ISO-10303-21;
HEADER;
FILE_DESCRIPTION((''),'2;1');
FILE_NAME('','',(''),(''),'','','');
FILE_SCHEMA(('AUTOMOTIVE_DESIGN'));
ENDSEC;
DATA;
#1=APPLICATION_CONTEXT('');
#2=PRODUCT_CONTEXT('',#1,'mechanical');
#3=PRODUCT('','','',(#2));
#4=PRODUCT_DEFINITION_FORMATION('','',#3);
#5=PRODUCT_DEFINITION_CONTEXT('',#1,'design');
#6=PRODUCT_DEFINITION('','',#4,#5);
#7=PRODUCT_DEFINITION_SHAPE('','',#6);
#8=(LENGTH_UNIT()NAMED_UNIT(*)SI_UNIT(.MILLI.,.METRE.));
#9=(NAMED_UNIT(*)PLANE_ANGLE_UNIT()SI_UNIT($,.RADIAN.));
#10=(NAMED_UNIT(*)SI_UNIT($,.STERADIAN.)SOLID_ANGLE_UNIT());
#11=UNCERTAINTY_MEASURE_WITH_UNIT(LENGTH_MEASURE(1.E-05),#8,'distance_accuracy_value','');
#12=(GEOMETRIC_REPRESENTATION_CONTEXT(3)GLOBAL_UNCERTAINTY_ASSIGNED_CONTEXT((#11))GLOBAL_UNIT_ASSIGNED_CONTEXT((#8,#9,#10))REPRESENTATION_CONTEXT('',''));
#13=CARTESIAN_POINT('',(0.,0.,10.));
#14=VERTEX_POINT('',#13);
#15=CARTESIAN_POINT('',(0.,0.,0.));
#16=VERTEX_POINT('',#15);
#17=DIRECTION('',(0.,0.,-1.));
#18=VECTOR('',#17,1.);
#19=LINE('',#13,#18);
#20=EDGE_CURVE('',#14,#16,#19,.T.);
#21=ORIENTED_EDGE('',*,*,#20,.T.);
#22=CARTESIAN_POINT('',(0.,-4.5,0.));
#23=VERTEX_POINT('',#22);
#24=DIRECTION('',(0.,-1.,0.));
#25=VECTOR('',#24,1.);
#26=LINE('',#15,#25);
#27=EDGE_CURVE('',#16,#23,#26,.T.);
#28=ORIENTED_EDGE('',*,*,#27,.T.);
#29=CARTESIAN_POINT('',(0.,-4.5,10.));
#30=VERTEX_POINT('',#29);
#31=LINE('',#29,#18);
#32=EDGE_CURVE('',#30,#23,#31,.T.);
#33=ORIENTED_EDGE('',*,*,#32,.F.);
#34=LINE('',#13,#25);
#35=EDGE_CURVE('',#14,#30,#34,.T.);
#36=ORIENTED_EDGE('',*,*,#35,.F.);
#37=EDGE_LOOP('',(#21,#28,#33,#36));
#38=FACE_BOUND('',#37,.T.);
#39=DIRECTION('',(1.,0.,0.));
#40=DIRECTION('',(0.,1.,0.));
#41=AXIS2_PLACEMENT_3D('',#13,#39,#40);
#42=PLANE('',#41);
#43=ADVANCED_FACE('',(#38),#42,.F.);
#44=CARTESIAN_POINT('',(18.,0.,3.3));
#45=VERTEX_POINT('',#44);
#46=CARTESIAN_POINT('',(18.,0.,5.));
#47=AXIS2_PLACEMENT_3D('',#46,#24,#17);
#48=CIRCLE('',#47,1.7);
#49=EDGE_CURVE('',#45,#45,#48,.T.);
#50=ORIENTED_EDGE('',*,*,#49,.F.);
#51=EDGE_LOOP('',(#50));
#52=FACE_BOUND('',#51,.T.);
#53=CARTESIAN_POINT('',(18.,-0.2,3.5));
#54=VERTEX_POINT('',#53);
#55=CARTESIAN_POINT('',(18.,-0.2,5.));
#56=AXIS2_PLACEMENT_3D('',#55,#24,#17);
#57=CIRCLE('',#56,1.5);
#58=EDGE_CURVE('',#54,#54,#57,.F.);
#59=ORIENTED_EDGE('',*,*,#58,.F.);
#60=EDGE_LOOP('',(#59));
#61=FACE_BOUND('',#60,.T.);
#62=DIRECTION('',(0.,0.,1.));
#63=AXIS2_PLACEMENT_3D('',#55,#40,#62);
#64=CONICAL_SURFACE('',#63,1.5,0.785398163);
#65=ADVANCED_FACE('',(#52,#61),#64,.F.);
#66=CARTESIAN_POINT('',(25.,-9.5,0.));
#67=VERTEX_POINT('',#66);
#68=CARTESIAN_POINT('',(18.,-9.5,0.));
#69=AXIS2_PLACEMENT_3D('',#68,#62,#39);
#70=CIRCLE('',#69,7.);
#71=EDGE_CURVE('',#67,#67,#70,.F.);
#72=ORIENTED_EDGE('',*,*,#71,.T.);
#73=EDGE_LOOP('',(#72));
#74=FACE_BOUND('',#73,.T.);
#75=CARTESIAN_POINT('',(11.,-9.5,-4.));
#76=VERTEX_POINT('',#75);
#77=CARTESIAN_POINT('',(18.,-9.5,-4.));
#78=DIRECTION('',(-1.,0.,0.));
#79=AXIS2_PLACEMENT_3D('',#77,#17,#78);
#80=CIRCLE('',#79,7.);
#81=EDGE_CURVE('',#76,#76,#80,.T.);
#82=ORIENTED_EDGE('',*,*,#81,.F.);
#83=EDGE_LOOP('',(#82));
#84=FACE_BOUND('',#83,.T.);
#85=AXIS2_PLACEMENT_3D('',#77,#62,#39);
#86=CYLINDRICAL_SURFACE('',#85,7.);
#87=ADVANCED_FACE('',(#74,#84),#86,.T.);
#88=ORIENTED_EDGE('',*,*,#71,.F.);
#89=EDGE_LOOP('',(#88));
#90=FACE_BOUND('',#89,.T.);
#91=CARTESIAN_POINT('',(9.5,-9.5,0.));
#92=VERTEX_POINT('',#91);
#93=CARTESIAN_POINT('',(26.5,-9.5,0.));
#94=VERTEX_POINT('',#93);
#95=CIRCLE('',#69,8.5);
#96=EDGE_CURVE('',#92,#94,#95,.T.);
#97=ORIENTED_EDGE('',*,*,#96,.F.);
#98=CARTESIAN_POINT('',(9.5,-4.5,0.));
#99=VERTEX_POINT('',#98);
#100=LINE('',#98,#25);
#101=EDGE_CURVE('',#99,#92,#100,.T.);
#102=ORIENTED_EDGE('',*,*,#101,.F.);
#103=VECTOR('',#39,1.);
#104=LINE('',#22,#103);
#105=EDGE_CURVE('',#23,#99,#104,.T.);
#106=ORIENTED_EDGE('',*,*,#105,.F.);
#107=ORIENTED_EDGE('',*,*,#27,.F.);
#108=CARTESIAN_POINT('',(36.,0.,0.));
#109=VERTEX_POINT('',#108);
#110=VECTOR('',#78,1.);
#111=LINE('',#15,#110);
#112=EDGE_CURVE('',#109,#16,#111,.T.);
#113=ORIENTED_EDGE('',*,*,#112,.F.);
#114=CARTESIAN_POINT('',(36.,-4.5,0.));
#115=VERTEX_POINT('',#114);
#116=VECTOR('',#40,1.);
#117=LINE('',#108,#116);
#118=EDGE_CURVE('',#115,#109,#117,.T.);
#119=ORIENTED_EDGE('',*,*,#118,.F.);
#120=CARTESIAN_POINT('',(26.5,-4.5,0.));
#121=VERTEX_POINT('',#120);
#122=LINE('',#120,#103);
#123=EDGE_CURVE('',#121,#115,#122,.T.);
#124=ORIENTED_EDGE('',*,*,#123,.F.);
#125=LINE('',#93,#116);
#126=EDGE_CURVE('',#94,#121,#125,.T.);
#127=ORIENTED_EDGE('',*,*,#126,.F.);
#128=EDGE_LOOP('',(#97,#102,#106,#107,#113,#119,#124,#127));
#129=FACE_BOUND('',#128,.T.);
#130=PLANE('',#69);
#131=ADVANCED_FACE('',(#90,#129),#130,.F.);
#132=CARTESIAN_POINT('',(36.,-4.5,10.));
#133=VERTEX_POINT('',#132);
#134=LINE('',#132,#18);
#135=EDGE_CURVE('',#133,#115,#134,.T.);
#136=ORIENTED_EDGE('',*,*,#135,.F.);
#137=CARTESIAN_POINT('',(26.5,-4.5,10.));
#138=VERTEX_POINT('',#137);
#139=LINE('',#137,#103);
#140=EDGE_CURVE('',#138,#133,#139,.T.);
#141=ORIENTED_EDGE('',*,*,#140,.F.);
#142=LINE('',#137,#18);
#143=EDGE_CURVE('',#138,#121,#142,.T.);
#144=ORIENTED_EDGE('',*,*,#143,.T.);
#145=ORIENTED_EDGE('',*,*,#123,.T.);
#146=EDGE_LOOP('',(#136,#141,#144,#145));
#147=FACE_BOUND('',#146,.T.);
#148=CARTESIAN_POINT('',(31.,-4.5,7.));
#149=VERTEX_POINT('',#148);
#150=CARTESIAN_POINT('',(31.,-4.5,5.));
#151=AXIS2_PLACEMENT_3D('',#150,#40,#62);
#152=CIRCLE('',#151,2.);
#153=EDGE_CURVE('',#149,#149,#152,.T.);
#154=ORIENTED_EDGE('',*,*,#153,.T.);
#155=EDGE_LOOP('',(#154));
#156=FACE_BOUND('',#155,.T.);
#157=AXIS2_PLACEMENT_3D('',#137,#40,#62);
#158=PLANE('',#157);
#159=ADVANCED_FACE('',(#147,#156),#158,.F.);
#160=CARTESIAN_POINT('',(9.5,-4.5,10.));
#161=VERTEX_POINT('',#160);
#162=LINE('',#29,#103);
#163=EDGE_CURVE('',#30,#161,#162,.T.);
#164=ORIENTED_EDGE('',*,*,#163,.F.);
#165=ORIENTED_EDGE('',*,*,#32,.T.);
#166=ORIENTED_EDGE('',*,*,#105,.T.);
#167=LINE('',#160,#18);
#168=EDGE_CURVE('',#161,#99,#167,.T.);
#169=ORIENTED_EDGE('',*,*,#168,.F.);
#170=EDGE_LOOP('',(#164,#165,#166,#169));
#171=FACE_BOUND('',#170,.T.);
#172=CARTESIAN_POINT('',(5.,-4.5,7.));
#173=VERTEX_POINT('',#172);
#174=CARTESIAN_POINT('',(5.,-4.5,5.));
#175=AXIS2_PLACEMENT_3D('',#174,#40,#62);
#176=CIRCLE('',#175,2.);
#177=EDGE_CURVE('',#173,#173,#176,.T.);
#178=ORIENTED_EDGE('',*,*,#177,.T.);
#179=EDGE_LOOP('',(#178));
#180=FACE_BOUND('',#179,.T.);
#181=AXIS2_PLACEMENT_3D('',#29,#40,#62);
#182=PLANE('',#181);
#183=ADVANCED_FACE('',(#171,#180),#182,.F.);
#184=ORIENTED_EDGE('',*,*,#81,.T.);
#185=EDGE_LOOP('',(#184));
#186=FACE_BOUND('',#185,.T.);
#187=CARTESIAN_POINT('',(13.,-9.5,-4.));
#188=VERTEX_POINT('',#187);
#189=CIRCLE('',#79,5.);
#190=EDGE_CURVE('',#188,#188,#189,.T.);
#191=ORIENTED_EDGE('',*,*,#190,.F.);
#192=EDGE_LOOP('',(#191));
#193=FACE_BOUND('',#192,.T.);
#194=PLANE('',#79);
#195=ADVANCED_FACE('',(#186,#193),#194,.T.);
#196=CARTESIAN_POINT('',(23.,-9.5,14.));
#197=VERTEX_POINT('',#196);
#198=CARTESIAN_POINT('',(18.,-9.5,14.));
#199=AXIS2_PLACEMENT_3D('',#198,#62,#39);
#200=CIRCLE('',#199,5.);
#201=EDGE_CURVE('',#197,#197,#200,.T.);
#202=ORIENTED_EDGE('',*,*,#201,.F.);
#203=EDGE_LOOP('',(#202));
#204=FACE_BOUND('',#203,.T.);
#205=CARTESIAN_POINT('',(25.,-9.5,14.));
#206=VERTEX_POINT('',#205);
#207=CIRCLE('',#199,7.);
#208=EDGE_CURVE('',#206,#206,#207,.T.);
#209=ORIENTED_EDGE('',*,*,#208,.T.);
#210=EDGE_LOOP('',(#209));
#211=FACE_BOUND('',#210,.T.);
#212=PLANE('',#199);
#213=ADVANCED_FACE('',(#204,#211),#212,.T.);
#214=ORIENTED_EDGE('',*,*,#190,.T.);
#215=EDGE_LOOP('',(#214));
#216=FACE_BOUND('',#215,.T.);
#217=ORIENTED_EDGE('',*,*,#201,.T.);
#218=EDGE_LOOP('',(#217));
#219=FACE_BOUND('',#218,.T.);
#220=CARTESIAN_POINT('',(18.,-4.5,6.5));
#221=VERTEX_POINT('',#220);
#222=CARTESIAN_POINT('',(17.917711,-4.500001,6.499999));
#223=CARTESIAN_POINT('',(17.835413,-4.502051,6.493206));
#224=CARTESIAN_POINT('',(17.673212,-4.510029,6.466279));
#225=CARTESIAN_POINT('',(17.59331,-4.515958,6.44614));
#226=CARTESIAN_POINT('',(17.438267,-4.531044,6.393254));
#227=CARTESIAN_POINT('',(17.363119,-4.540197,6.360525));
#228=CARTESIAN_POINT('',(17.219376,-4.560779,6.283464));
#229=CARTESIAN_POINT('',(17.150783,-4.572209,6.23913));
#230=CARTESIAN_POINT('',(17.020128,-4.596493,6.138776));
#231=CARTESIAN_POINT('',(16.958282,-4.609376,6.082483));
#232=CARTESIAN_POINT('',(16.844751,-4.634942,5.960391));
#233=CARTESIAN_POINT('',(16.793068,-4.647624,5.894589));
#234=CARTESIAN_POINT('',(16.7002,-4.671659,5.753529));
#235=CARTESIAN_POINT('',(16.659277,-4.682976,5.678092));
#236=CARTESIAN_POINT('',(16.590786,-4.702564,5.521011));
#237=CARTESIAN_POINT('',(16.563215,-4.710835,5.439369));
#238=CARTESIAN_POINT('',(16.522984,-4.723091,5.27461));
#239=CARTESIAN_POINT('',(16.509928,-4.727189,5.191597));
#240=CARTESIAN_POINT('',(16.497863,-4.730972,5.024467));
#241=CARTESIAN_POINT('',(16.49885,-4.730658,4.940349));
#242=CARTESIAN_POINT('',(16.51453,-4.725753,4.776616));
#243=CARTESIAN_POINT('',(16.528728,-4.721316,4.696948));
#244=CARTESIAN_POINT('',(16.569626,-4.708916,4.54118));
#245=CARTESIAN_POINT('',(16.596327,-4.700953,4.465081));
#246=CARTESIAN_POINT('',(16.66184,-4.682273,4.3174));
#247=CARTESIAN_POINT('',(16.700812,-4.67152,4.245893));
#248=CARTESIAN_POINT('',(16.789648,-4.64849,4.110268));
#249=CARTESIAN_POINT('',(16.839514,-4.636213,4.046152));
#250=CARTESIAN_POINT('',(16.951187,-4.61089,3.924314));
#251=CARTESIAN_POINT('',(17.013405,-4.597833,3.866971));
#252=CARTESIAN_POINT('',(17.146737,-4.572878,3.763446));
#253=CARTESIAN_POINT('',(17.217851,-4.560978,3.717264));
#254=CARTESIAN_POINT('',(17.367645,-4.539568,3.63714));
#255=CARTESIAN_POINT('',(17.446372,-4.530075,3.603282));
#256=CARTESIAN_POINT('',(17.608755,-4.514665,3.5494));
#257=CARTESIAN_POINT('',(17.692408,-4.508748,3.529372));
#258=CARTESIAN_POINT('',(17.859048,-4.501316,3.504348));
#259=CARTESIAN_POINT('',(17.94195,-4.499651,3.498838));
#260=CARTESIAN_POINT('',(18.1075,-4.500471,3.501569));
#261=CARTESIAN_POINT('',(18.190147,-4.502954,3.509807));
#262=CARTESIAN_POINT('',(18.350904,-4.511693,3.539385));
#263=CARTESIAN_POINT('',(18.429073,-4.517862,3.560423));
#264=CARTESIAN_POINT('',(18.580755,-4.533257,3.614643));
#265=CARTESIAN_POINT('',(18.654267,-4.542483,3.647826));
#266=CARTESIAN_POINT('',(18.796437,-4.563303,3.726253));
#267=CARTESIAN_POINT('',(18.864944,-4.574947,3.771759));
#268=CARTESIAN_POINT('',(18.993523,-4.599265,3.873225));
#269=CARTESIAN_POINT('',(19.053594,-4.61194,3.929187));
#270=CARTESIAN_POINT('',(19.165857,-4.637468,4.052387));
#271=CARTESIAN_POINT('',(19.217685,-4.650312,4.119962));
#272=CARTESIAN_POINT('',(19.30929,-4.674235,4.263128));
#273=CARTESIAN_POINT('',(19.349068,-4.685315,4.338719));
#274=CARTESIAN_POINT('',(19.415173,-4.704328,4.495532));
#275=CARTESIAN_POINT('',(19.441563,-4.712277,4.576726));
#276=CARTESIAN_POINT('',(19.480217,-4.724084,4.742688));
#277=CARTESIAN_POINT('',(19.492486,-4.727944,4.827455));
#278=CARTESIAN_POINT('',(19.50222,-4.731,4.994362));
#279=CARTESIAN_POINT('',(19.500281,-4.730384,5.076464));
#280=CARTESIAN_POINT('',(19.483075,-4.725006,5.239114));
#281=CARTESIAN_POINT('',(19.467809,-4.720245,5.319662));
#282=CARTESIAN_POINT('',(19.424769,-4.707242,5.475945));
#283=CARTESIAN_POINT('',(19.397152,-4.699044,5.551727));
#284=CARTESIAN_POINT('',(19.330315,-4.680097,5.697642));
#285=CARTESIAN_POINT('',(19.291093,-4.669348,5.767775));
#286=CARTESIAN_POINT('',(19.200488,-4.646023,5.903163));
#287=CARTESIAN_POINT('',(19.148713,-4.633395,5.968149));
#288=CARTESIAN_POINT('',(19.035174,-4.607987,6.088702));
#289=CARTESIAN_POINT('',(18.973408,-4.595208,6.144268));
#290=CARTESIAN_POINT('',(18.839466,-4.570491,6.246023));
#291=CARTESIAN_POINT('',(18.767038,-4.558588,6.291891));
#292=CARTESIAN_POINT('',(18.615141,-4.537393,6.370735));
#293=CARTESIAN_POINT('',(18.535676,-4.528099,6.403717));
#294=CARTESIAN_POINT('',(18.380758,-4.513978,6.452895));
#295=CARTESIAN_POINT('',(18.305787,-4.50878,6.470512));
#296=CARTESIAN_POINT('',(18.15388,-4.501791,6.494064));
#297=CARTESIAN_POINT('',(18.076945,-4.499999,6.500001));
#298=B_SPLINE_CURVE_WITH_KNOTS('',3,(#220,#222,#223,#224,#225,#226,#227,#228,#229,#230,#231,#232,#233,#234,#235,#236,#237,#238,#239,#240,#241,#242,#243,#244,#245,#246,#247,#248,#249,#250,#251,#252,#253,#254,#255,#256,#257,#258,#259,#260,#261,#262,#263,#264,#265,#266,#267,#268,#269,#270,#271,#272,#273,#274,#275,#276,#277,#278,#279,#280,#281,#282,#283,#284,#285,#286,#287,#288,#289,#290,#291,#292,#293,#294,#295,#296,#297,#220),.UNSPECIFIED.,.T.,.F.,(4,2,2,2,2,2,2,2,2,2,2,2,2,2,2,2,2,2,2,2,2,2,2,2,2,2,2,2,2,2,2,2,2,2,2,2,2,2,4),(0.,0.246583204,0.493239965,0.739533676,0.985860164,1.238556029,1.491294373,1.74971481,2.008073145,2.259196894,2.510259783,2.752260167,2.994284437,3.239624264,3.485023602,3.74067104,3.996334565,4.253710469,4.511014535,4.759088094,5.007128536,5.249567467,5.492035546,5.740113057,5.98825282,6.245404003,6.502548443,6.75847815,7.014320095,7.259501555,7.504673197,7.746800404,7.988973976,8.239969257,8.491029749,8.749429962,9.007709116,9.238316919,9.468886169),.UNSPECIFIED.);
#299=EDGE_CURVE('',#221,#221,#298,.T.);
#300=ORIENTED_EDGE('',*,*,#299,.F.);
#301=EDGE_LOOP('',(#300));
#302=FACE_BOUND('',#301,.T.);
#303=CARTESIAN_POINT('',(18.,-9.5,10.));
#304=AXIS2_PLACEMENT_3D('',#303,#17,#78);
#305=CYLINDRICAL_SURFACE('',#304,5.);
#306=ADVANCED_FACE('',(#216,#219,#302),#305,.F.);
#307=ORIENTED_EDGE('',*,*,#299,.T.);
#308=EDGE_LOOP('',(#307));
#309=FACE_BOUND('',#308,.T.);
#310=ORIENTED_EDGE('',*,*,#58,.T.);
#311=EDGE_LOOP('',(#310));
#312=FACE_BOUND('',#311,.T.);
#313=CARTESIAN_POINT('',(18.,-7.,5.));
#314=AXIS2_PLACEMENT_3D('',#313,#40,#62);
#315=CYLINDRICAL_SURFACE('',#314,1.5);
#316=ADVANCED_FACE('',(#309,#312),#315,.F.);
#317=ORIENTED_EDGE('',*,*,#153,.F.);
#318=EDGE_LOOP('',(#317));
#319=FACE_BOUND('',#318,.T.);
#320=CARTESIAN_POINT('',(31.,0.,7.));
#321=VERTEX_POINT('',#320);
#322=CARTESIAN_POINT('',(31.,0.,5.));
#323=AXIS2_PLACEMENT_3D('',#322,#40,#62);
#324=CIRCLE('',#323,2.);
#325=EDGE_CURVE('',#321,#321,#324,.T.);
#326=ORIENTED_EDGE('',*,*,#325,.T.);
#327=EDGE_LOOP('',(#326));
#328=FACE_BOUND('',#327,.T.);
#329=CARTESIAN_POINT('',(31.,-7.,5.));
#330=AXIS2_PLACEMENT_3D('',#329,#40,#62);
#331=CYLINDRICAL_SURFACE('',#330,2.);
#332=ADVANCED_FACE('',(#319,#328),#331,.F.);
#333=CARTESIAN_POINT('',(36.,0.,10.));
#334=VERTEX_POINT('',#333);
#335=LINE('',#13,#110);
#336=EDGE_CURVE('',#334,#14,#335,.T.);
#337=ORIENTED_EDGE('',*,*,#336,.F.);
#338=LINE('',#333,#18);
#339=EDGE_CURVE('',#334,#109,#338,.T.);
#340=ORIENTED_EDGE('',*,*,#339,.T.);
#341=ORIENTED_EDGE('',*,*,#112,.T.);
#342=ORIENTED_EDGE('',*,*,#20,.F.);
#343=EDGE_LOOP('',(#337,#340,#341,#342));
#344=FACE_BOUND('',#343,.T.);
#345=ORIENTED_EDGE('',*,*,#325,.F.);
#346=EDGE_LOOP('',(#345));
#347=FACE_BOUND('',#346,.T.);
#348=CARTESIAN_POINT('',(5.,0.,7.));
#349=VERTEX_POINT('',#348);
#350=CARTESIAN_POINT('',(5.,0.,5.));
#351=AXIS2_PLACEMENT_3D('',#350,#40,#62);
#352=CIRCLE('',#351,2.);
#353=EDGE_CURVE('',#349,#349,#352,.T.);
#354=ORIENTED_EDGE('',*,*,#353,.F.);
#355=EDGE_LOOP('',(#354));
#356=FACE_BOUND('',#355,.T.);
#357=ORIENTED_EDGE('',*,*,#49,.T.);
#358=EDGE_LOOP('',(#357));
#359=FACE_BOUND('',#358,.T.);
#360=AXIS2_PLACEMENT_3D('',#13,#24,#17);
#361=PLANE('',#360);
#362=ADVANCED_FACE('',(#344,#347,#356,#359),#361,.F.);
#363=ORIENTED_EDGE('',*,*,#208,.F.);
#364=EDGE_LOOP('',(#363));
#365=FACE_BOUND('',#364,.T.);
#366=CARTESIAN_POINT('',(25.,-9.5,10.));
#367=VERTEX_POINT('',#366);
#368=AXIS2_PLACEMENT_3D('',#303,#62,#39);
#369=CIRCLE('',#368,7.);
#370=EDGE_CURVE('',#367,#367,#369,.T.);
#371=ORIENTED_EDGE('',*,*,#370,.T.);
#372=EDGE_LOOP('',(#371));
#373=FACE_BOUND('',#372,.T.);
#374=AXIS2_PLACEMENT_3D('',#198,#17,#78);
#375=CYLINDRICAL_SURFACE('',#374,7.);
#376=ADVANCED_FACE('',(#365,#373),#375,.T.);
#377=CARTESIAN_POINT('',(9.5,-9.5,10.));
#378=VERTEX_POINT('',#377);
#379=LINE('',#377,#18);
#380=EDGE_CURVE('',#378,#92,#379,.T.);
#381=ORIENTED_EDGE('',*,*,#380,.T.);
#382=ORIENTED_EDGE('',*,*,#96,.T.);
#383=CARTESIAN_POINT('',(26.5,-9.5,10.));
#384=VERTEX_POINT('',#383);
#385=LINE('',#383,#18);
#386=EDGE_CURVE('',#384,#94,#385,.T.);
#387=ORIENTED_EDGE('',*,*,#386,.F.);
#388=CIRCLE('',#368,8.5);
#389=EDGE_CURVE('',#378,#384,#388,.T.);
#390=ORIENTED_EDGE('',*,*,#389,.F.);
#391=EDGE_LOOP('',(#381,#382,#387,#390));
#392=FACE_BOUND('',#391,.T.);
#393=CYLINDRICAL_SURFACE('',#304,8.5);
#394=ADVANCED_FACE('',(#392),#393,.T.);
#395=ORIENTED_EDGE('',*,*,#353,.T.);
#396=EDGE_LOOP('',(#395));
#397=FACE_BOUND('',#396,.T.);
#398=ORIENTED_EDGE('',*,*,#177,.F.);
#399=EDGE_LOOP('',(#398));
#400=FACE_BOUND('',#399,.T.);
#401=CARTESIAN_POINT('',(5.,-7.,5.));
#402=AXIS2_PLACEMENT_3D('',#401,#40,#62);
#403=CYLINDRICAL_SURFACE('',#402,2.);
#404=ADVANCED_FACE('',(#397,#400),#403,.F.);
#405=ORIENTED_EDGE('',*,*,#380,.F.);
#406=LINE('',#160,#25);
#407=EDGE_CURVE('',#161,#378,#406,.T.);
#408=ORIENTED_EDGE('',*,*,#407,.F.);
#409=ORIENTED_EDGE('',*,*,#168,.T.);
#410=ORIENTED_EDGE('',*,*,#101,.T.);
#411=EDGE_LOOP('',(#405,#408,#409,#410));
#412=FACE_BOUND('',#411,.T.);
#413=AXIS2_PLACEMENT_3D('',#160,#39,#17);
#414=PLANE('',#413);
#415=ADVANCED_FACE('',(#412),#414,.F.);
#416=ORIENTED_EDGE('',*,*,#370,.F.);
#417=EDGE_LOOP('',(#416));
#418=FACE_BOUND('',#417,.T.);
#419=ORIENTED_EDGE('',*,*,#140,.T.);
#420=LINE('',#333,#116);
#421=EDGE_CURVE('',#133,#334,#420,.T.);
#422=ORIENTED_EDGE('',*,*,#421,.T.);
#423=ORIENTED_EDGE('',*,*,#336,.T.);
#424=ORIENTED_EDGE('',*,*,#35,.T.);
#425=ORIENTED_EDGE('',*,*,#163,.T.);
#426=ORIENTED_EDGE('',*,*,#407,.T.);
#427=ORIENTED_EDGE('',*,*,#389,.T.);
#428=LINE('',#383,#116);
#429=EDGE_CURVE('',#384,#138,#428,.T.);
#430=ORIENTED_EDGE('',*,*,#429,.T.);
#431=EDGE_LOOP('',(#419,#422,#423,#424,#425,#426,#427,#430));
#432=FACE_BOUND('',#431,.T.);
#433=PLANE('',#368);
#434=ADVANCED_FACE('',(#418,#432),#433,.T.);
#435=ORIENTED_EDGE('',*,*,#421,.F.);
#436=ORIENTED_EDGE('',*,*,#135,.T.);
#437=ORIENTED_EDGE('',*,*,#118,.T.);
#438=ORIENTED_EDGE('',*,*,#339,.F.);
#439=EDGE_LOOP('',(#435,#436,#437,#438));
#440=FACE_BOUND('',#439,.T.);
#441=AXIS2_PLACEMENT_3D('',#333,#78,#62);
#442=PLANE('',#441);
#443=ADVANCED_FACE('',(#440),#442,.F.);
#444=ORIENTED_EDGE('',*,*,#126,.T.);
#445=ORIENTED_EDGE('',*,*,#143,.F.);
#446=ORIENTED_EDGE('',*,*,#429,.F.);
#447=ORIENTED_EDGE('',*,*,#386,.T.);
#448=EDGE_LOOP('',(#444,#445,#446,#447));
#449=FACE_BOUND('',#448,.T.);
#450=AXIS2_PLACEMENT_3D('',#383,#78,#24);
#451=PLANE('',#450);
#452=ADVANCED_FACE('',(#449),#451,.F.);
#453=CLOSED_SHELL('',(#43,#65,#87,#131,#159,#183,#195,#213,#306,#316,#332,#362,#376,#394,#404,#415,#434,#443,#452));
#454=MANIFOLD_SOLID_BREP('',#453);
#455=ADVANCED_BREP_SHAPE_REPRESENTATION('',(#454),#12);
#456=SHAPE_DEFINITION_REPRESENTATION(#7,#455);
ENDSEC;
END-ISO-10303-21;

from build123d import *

# Parameters (mm, degrees)
SKETCH1_R           = 5
BOSS_EXTRUDE1_DEPTH = 10
SKETCH2_R           = 7
SKETCH2_R_2         = 5
BOSS_EXTRUDE2_DEPTH = 4
BOSS_EXTRUDE3_START = 4
SKETCH3_R           = 7
SKETCH3_R_2         = 5
BOSS_EXTRUDE3_DEPTH = 4
SKETCH4_R           = 1.5
SKETCH4_R_2         = 2
CUT_EXTRUDE1_DEPTH  = 7
CHAMFER1_SIZE       = 0.2


with BuildPart() as part:
    # Sketch1 → Boss-Extrude1 (new body)
    with BuildSketch(Plane.XY):
        with BuildLine():
            Line((0, -4.5), (9.5, -4.5))
            Line((9.5, -4.5), (9.5, -9.5))
            ThreePointArc((9.5, -9.5), (18, -18), (26.5, -9.5))
            Line((26.5, -9.5), (26.5, -4.5))
            Line((26.5, -4.5), (36, -4.5))
            Line((36, -4.5), (36, 0))
            Line((36, 0), (0, 0))
            Line((0, 0), (0, -4.5))
        make_face()
        with Locations((18, -9.5)):
            Circle(SKETCH1_R, mode=Mode.SUBTRACT)
    extrude(amount=BOSS_EXTRUDE1_DEPTH)

    # Sketch2 → Boss-Extrude2 (add)
    with BuildSketch(Plane.XY.offset(10)):
        with Locations((18, -9.5)):
            Circle(SKETCH2_R)
        with Locations((18, -9.5)):
            Circle(SKETCH2_R_2, mode=Mode.SUBTRACT)
    extrude(amount=BOSS_EXTRUDE2_DEPTH)

    # Sketch3 → Boss-Extrude3 (add)
    with BuildSketch(Plane(origin=(0, 0, 0), x_dir=(-1, 0, 0), z_dir=(0, 0, -1)).offset(BOSS_EXTRUDE3_START)):
        with Locations(Location((-18, -9.5, 0), (0, 0, 180))):
            Circle(SKETCH3_R)
        with Locations((-18, -9.5)):
            Circle(SKETCH3_R_2, mode=Mode.SUBTRACT)
    extrude(amount=-BOSS_EXTRUDE3_DEPTH)

    # Sketch4 → Cut-Extrude1 (cut)
    with BuildSketch(Plane(origin=(0, 0, 0), x_dir=(1, 0, 0), z_dir=(0, 1, 0))):
        with Locations(Location((18, -5, 0), (0, 0, 270))):
            Circle(SKETCH4_R)
        with Locations(Location((5, -5, 0), (0, 0, 270))):
            Circle(SKETCH4_R_2)
        with Locations(Location((31, -5, 0), (0, 0, 270))):
            Circle(SKETCH4_R_2)
    extrude(amount=-CUT_EXTRUDE1_DEPTH, mode=Mode.SUBTRACT)

    # Chamfer1
    chamfer1_edges = [part.edges().sort_by_distance(p)[0] for p in [
        (18, 0, 3.5),
    ]]
    chamfer(chamfer1_edges, length=CHAMFER1_SIZE)


solid = part.part
